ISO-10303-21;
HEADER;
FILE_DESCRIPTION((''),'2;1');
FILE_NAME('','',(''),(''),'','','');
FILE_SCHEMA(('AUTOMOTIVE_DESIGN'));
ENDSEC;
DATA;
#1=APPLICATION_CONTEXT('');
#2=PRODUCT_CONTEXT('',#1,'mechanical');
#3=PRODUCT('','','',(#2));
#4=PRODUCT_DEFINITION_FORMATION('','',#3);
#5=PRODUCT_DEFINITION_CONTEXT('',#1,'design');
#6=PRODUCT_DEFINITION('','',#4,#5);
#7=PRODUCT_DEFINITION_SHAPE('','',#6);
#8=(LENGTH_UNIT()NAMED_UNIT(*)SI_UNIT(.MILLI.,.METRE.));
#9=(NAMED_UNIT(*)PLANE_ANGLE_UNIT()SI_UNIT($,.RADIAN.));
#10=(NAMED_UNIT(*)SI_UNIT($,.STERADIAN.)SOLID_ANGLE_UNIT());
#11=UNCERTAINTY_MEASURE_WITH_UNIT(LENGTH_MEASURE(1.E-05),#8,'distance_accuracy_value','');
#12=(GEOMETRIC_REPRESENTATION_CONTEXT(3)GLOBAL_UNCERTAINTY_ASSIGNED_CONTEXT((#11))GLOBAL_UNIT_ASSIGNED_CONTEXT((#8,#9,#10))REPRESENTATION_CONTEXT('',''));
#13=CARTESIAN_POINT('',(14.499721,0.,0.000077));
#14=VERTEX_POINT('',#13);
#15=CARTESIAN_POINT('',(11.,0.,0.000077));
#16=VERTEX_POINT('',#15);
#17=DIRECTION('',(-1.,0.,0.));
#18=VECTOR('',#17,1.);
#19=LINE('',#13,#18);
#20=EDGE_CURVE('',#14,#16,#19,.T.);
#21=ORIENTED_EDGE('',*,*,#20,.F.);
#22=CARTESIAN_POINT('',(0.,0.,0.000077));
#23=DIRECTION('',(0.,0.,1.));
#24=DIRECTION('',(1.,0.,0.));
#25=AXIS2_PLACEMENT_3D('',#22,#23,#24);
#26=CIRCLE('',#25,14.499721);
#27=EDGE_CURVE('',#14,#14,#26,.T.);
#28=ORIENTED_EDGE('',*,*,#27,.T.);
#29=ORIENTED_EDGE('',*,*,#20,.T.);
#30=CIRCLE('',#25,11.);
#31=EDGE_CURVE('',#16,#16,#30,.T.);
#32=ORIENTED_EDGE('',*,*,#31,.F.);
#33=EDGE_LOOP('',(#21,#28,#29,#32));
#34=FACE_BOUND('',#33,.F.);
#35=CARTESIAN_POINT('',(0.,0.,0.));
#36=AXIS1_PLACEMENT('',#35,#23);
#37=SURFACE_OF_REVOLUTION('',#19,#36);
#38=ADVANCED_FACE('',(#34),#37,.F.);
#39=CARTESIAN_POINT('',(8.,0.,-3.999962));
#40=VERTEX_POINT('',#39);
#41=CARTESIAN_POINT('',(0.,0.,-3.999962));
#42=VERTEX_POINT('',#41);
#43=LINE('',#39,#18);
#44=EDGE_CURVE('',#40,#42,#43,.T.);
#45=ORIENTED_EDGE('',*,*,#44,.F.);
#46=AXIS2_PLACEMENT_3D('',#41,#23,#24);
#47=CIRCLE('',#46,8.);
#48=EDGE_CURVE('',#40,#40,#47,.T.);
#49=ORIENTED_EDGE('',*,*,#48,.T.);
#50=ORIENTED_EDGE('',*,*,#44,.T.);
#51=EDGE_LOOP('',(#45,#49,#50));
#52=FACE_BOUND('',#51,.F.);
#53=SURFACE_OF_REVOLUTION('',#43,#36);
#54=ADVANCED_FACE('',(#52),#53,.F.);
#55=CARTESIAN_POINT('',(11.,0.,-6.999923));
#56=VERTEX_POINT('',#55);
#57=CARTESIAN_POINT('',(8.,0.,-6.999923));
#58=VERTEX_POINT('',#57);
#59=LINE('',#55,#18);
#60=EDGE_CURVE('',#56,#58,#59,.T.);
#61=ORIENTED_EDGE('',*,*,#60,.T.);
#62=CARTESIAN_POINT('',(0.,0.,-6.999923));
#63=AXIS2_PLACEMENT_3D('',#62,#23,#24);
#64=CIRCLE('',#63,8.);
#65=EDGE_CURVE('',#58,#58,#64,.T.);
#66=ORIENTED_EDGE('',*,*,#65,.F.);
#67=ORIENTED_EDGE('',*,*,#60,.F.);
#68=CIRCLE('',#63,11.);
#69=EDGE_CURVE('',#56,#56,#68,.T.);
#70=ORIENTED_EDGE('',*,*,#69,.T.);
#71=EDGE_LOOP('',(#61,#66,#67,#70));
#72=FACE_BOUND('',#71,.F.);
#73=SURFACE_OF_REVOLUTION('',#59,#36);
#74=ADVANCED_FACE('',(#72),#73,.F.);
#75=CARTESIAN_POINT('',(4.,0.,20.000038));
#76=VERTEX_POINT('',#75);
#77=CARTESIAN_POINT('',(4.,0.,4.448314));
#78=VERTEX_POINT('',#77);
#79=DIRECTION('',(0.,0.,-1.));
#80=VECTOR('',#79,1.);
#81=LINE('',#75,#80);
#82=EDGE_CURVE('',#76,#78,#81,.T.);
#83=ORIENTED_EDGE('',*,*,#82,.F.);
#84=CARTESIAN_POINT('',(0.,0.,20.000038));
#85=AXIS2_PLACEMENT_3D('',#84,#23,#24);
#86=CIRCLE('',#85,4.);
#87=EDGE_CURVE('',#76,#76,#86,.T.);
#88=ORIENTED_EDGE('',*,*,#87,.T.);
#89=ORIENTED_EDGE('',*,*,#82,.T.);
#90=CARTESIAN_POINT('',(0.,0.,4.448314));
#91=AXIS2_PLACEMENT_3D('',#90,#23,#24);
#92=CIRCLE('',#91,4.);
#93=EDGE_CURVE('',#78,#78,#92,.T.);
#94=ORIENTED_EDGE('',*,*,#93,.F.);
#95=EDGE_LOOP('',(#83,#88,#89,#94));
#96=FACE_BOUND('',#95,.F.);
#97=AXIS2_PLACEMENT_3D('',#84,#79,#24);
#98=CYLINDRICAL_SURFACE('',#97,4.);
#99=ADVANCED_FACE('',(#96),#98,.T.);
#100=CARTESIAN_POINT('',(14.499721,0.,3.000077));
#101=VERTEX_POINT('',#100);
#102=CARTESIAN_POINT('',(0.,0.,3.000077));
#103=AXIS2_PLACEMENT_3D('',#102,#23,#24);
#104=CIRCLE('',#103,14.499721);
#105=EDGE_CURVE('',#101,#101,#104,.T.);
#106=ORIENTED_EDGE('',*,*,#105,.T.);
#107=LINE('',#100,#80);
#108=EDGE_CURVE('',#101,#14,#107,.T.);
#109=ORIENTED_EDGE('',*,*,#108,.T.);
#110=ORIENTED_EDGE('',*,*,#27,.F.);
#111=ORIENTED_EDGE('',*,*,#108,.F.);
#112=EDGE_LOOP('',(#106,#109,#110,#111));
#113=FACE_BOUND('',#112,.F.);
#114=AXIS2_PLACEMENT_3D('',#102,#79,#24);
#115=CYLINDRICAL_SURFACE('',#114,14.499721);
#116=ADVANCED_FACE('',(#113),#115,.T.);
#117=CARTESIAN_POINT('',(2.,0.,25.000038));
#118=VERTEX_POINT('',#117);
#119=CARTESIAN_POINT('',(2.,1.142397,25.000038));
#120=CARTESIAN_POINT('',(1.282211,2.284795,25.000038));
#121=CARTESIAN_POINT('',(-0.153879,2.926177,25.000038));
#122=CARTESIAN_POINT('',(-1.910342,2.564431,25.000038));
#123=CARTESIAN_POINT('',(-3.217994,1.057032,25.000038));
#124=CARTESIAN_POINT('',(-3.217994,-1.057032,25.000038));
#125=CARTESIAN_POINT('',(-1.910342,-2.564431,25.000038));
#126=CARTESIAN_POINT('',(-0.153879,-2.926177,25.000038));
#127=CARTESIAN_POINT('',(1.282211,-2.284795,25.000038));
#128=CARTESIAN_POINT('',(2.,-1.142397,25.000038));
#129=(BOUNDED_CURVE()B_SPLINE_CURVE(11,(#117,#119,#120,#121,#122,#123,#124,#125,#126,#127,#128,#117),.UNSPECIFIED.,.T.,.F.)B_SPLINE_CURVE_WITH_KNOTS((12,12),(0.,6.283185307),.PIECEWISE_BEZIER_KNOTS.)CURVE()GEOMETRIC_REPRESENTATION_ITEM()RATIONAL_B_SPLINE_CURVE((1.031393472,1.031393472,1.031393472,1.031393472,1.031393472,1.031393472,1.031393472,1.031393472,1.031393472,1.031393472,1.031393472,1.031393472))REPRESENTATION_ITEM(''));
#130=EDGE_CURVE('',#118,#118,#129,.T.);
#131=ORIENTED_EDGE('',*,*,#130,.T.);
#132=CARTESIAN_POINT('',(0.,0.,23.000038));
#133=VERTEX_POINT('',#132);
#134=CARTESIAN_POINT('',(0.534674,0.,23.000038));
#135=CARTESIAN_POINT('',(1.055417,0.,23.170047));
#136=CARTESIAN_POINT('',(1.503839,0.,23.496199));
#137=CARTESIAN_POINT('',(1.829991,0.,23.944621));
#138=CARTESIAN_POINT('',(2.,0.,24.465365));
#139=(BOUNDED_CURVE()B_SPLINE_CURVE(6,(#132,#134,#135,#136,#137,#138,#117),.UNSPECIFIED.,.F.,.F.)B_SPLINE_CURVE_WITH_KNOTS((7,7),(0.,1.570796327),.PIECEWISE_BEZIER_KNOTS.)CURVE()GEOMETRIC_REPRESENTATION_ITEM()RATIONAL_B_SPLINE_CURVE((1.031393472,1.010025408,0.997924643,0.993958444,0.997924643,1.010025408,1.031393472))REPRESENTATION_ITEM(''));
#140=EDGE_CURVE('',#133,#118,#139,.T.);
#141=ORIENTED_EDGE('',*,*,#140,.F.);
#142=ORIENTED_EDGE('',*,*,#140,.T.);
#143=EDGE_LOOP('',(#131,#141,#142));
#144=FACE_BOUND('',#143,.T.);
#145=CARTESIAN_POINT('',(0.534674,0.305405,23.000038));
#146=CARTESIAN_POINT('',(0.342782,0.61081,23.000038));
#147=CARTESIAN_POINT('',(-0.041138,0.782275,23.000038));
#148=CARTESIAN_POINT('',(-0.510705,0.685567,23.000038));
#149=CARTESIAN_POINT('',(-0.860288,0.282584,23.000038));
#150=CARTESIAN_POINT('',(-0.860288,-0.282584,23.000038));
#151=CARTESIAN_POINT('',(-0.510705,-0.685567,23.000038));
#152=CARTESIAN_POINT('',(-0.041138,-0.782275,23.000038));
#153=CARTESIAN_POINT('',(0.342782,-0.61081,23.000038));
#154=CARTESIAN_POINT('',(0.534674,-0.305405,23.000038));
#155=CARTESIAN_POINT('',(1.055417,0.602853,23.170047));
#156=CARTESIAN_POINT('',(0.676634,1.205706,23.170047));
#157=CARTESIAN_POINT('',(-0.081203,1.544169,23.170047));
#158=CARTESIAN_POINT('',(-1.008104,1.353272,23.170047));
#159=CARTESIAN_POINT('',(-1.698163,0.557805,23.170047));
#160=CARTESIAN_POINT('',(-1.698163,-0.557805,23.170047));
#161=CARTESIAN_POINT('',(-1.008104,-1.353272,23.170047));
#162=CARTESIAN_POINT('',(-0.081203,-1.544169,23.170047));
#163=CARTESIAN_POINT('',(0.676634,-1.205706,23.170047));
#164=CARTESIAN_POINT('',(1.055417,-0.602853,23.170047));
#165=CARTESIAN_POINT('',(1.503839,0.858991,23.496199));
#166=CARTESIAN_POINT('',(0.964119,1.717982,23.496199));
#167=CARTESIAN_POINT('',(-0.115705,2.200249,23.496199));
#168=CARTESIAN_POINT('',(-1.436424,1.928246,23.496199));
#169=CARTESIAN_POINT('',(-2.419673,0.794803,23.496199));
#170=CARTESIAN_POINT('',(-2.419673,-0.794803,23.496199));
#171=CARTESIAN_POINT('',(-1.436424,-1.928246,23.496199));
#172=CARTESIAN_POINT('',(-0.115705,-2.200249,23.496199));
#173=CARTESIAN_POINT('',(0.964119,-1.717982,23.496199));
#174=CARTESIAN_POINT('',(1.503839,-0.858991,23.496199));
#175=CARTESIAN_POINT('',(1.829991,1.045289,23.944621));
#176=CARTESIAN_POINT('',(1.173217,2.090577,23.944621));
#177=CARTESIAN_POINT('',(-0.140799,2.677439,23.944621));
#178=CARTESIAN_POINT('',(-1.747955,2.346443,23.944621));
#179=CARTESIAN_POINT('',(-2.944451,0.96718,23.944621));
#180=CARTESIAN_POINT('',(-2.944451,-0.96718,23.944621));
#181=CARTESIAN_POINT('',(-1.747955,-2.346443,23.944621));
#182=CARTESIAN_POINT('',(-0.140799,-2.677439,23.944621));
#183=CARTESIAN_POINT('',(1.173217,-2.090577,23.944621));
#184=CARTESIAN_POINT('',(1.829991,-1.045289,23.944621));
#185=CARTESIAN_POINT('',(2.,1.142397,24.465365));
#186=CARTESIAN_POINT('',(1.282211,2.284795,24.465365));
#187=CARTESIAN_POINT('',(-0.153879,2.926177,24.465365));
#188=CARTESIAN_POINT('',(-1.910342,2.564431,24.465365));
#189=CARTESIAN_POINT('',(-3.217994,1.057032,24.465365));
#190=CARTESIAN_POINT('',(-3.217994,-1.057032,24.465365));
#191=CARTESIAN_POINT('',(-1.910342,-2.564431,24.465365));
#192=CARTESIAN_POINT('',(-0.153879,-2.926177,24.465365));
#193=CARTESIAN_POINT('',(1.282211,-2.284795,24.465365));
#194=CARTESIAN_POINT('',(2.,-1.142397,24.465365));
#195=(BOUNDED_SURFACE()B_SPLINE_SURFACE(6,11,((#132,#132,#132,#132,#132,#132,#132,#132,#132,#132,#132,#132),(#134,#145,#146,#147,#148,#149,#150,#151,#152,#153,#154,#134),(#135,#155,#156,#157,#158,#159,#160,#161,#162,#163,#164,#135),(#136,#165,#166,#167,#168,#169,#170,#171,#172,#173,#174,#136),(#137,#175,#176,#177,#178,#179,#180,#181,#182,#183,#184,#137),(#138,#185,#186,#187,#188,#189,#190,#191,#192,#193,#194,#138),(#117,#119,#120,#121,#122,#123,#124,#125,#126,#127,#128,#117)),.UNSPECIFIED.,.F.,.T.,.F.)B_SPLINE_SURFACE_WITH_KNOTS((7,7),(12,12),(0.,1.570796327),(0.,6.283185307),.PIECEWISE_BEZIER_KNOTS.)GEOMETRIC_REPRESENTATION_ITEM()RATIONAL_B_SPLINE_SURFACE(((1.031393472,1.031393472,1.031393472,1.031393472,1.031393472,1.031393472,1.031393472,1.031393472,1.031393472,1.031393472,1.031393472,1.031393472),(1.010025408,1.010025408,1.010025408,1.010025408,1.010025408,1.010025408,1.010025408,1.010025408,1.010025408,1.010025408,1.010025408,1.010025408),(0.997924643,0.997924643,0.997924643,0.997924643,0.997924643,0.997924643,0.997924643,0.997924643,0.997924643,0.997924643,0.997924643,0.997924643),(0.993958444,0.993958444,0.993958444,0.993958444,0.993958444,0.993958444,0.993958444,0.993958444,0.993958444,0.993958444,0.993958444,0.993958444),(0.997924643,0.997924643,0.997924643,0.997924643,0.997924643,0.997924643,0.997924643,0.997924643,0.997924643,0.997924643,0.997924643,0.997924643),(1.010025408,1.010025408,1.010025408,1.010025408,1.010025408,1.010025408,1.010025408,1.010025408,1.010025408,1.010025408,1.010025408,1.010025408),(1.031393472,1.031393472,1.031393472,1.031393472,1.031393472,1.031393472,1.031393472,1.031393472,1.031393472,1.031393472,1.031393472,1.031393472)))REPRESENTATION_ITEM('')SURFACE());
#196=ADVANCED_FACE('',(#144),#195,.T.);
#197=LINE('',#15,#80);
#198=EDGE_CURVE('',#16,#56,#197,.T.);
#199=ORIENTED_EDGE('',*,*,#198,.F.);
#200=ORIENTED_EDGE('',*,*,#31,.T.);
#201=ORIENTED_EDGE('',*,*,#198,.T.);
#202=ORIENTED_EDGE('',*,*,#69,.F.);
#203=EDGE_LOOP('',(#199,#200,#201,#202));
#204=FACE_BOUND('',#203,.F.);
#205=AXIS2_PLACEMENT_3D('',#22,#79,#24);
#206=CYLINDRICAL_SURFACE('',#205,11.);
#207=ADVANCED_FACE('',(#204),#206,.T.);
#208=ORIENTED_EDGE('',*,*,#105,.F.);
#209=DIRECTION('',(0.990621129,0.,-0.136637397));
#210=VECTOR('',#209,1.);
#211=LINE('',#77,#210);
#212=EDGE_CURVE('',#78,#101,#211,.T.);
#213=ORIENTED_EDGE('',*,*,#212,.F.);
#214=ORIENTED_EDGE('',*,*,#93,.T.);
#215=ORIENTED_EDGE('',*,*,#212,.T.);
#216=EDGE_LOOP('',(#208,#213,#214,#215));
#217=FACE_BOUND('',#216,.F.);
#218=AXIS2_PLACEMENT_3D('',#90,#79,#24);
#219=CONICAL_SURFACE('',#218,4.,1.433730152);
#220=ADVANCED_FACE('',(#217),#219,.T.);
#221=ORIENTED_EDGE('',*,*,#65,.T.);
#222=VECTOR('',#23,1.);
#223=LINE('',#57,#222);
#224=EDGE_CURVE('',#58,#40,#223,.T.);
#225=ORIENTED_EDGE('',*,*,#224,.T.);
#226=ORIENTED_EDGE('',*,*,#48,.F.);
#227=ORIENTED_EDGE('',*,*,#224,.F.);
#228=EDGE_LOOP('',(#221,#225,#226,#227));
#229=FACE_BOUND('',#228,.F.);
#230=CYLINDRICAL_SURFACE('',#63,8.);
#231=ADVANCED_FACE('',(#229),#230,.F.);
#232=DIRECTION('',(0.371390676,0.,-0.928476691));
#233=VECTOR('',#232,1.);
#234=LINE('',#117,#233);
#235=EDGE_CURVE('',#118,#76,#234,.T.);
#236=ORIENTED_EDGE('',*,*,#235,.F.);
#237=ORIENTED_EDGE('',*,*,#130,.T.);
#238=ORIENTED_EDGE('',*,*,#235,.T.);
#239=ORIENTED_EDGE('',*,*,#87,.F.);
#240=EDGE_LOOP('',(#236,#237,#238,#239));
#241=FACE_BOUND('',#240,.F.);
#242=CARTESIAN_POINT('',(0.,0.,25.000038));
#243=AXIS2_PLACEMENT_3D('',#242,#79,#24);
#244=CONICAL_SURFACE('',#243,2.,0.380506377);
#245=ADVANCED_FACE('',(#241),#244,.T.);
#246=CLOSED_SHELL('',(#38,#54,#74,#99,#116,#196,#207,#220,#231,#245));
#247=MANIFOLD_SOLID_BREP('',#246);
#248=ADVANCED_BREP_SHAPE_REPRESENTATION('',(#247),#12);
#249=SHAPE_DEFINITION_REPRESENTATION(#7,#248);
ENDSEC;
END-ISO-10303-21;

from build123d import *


with BuildPart() as f2:
    # F2: sweep along a path in F1
    with BuildLine(Plane.XY) as f2_path:
        CenterArc((0, 0), 2.5, 0, 360)
    # F0 (on Front) → F2 (sweep)
    with BuildSketch(Plane.XZ):
        with BuildLine():
            Line((-14.4997214687, 7.68362e-05), (-11, 7.68362e-05))
            Line((-11, 7.68362e-05), (-11, -6.9999231638))
            Line((-11, -6.9999231638), (-8, -6.9999231638))
            Line((-8, -6.9999231638), (-8, -3.9999615819))
            Line((-8, -3.9999615819), (0, -3.9999615819))
            Line((0, -3.9999615819), (0, 23.0000384181))
            ThreePointArc((0, 23.0000384181), (-1.4142135624, 23.5858248557), (-2, 25.0000384181))
            Line((-2, 25.0000384181), (-4, 20.0000384181))
            Line((-4, 20.0000384181), (-4, 4.4483142802))
            Line((-4, 4.4483142802), (-14.4997214687, 3.0000768362))
            Line((-14.4997214687, 3.0000768362), (-14.4997214687, 7.68362e-05))
        make_face()
    sweep(path=f2_path.line)


solid = f2.part
